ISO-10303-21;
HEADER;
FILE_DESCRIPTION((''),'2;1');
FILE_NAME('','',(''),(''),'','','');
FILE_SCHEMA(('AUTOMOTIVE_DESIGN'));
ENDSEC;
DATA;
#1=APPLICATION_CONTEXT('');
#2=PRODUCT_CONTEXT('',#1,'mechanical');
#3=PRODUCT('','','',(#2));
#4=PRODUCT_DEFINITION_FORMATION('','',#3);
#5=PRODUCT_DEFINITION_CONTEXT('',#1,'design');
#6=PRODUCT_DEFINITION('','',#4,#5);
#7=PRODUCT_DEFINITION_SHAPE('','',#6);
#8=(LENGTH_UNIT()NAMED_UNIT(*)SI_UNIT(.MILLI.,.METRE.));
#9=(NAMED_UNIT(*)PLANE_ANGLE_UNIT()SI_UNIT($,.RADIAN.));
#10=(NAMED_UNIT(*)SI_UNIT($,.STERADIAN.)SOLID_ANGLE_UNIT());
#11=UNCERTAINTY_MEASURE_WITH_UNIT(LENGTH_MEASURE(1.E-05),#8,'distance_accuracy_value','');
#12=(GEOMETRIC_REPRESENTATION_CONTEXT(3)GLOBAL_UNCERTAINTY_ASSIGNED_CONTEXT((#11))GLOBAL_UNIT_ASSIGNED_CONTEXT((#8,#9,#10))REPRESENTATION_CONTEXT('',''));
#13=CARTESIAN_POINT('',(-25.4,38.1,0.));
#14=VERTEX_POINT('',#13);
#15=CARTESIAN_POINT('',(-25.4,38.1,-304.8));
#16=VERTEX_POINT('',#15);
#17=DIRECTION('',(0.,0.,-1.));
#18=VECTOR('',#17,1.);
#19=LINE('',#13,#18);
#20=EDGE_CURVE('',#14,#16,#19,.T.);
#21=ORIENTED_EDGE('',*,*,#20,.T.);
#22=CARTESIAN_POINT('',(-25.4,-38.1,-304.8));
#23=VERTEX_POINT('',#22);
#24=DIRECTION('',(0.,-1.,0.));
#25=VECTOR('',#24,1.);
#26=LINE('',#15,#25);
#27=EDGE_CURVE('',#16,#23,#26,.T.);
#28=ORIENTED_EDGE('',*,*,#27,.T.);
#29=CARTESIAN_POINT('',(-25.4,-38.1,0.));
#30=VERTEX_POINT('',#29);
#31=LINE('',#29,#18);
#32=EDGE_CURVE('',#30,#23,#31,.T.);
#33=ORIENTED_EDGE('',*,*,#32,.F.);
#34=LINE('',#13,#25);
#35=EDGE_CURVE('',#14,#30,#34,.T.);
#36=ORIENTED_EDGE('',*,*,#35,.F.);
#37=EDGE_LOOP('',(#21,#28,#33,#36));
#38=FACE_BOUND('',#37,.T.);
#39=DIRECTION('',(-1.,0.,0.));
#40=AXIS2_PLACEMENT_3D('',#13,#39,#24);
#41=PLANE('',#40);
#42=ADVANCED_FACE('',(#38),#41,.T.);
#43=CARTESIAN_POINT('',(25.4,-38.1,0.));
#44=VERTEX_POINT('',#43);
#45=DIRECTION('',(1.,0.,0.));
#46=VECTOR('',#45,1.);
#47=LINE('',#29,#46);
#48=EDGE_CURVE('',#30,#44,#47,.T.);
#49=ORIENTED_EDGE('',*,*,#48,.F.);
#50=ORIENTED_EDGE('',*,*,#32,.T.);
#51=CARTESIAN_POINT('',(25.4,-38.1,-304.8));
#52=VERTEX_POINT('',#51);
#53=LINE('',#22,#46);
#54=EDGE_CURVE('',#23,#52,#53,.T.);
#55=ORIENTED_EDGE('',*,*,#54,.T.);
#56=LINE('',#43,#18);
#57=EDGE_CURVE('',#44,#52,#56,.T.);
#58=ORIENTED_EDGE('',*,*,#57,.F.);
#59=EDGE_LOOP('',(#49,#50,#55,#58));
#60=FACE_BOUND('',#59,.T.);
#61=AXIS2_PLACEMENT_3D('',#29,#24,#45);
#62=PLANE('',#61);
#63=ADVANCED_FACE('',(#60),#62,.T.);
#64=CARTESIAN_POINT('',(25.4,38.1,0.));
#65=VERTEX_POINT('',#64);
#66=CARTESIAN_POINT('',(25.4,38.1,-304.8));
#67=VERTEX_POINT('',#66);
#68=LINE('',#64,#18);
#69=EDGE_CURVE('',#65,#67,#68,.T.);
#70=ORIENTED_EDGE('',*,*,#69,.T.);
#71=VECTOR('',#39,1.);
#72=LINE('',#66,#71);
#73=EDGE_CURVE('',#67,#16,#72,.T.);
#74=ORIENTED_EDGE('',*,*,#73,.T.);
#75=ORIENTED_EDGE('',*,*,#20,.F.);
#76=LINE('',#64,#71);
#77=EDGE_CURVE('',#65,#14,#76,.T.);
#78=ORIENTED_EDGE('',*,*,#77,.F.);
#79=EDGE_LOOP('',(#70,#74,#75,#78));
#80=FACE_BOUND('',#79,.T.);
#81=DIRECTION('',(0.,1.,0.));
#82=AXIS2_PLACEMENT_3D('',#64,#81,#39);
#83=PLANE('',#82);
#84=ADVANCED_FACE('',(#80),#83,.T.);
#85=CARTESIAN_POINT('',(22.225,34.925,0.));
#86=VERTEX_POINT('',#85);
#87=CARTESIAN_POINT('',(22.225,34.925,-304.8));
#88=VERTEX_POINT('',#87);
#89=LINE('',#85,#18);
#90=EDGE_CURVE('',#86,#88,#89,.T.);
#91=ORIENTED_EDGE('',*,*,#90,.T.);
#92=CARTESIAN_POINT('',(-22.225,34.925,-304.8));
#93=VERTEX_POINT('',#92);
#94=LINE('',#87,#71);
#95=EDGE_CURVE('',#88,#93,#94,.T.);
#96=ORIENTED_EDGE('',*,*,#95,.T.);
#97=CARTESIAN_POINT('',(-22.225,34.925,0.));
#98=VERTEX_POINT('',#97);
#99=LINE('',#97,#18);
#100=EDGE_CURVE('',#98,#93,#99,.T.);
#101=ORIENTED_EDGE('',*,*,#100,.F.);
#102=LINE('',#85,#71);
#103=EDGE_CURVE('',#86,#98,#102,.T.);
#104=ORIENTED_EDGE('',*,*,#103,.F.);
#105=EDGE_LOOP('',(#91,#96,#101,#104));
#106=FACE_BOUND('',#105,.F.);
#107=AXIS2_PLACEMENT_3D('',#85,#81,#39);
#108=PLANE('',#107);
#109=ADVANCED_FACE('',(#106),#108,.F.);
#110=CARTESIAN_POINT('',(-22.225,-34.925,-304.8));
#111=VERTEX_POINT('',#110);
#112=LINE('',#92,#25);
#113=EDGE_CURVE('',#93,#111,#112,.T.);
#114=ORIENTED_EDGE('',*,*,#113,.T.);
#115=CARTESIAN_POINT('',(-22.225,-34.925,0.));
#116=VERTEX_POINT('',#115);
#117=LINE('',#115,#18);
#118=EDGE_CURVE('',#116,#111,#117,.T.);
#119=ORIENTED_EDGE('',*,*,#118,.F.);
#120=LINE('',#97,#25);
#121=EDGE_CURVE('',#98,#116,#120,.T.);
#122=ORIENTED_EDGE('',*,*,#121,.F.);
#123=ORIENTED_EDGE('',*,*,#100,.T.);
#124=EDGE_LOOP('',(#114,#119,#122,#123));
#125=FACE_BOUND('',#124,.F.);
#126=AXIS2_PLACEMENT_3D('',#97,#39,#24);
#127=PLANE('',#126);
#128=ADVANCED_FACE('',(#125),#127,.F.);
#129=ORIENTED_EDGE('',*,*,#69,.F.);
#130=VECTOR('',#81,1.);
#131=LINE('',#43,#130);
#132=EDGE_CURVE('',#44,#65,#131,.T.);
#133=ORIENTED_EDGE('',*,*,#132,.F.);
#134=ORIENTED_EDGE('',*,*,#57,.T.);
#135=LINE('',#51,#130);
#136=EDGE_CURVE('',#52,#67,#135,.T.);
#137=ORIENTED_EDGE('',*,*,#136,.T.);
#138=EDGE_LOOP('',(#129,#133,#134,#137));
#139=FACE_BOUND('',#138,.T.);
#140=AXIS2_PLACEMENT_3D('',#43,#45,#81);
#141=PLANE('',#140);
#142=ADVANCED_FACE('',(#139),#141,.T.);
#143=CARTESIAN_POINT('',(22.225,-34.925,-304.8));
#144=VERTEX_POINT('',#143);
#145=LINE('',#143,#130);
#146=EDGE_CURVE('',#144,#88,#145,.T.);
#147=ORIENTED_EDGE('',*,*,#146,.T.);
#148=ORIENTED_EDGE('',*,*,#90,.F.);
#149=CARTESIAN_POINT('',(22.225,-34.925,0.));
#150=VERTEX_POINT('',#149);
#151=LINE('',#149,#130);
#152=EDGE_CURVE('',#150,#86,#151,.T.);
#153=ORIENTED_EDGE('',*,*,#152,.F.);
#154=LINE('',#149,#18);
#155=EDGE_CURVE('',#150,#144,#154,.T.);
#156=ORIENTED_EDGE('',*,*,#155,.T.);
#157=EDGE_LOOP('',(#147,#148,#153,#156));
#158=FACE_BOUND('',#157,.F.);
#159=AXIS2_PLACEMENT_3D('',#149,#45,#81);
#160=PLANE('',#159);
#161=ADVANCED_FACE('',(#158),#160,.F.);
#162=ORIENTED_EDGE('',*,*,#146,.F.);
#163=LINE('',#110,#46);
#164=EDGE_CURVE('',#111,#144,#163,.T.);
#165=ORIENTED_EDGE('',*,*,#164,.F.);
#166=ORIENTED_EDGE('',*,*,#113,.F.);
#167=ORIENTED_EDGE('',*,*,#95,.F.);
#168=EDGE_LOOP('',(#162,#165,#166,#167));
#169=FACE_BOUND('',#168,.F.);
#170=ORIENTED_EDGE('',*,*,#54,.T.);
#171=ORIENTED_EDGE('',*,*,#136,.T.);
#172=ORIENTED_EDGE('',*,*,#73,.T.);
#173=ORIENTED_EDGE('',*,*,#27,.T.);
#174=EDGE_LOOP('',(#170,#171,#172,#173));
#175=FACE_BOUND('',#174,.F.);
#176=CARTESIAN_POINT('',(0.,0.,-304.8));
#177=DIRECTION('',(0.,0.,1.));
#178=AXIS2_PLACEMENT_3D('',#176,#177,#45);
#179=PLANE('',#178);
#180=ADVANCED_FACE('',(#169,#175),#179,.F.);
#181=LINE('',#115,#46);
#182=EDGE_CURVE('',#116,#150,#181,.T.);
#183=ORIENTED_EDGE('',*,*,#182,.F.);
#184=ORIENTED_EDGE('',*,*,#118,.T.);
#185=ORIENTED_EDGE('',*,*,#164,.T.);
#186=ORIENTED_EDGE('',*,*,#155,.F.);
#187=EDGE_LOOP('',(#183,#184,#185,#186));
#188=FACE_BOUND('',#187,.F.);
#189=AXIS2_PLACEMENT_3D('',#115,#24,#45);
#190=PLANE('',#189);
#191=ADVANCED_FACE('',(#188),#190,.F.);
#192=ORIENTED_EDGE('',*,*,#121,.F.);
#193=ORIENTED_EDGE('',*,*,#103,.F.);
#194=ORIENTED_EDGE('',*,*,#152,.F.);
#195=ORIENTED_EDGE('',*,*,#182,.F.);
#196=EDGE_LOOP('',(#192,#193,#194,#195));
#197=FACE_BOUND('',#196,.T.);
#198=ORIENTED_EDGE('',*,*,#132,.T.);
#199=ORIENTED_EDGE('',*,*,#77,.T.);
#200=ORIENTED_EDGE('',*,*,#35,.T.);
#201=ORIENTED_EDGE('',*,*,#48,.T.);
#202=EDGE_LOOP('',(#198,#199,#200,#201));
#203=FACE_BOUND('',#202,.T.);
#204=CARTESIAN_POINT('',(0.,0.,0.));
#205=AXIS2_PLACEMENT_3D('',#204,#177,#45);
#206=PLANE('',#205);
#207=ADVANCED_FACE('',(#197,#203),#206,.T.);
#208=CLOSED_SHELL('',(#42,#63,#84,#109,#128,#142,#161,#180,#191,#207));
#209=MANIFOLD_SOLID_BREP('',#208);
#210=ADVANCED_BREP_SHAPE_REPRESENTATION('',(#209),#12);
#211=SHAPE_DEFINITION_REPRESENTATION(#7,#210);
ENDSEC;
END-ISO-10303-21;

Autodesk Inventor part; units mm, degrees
ref_plane "YZ Plane" through (0, 0, 0) normal (1, 0, 0) x (0, 1, 0)
ref_plane "XZ Plane" through (0, 0, 0) normal (0, 1, 0) x (-1, 0, 0)
ref_plane "XY Plane" through (0, 0, 0) normal (0, 0, 1) x (1, 0, 0)
sketch "Sketch1" plane through (0, 0, 0) normal (0, 0, 1) x (1, 0, 0)
  line L0 (-25.4, -38.1) -> (25.4, -38.1)
  line L1 (25.4, -38.1) -> (25.4, 38.1)
  line L2 (25.4, 38.1) -> (-25.4, 38.1)
  line L3 (-25.4, 38.1) -> (-25.4, -38.1)
  line L4 (-25.4, -38.1) -> (25.4, 38.1) construction
  line L5 (25.4, -38.1) -> (-25.4, 38.1) construction
  line L6 (-22.225, -34.925) -> (22.225, -34.925)
  line L7 (22.225, -34.925) -> (22.225, 34.925)
  line L8 (22.225, 34.925) -> (-22.225, 34.925)
  line L9 (-22.225, 34.925) -> (-22.225, -34.925)
  line L10 (-22.225, -34.925) -> (22.225, 34.925) construction
  line L11 (22.225, -34.925) -> (-22.225, 34.925) construction
  point P0 (0, 0)
  dimension "d0" = 50.8
  dimension "d1" = 76.2
  dimension "d2" = 3.175
  dimension "d3" = 3.175
extrude "Extrusion1" add sketch "Sketch1" against normal blind 304.8
properties part number "2x2x1_8_rectangularTubing" material "Aluminum 6061"
